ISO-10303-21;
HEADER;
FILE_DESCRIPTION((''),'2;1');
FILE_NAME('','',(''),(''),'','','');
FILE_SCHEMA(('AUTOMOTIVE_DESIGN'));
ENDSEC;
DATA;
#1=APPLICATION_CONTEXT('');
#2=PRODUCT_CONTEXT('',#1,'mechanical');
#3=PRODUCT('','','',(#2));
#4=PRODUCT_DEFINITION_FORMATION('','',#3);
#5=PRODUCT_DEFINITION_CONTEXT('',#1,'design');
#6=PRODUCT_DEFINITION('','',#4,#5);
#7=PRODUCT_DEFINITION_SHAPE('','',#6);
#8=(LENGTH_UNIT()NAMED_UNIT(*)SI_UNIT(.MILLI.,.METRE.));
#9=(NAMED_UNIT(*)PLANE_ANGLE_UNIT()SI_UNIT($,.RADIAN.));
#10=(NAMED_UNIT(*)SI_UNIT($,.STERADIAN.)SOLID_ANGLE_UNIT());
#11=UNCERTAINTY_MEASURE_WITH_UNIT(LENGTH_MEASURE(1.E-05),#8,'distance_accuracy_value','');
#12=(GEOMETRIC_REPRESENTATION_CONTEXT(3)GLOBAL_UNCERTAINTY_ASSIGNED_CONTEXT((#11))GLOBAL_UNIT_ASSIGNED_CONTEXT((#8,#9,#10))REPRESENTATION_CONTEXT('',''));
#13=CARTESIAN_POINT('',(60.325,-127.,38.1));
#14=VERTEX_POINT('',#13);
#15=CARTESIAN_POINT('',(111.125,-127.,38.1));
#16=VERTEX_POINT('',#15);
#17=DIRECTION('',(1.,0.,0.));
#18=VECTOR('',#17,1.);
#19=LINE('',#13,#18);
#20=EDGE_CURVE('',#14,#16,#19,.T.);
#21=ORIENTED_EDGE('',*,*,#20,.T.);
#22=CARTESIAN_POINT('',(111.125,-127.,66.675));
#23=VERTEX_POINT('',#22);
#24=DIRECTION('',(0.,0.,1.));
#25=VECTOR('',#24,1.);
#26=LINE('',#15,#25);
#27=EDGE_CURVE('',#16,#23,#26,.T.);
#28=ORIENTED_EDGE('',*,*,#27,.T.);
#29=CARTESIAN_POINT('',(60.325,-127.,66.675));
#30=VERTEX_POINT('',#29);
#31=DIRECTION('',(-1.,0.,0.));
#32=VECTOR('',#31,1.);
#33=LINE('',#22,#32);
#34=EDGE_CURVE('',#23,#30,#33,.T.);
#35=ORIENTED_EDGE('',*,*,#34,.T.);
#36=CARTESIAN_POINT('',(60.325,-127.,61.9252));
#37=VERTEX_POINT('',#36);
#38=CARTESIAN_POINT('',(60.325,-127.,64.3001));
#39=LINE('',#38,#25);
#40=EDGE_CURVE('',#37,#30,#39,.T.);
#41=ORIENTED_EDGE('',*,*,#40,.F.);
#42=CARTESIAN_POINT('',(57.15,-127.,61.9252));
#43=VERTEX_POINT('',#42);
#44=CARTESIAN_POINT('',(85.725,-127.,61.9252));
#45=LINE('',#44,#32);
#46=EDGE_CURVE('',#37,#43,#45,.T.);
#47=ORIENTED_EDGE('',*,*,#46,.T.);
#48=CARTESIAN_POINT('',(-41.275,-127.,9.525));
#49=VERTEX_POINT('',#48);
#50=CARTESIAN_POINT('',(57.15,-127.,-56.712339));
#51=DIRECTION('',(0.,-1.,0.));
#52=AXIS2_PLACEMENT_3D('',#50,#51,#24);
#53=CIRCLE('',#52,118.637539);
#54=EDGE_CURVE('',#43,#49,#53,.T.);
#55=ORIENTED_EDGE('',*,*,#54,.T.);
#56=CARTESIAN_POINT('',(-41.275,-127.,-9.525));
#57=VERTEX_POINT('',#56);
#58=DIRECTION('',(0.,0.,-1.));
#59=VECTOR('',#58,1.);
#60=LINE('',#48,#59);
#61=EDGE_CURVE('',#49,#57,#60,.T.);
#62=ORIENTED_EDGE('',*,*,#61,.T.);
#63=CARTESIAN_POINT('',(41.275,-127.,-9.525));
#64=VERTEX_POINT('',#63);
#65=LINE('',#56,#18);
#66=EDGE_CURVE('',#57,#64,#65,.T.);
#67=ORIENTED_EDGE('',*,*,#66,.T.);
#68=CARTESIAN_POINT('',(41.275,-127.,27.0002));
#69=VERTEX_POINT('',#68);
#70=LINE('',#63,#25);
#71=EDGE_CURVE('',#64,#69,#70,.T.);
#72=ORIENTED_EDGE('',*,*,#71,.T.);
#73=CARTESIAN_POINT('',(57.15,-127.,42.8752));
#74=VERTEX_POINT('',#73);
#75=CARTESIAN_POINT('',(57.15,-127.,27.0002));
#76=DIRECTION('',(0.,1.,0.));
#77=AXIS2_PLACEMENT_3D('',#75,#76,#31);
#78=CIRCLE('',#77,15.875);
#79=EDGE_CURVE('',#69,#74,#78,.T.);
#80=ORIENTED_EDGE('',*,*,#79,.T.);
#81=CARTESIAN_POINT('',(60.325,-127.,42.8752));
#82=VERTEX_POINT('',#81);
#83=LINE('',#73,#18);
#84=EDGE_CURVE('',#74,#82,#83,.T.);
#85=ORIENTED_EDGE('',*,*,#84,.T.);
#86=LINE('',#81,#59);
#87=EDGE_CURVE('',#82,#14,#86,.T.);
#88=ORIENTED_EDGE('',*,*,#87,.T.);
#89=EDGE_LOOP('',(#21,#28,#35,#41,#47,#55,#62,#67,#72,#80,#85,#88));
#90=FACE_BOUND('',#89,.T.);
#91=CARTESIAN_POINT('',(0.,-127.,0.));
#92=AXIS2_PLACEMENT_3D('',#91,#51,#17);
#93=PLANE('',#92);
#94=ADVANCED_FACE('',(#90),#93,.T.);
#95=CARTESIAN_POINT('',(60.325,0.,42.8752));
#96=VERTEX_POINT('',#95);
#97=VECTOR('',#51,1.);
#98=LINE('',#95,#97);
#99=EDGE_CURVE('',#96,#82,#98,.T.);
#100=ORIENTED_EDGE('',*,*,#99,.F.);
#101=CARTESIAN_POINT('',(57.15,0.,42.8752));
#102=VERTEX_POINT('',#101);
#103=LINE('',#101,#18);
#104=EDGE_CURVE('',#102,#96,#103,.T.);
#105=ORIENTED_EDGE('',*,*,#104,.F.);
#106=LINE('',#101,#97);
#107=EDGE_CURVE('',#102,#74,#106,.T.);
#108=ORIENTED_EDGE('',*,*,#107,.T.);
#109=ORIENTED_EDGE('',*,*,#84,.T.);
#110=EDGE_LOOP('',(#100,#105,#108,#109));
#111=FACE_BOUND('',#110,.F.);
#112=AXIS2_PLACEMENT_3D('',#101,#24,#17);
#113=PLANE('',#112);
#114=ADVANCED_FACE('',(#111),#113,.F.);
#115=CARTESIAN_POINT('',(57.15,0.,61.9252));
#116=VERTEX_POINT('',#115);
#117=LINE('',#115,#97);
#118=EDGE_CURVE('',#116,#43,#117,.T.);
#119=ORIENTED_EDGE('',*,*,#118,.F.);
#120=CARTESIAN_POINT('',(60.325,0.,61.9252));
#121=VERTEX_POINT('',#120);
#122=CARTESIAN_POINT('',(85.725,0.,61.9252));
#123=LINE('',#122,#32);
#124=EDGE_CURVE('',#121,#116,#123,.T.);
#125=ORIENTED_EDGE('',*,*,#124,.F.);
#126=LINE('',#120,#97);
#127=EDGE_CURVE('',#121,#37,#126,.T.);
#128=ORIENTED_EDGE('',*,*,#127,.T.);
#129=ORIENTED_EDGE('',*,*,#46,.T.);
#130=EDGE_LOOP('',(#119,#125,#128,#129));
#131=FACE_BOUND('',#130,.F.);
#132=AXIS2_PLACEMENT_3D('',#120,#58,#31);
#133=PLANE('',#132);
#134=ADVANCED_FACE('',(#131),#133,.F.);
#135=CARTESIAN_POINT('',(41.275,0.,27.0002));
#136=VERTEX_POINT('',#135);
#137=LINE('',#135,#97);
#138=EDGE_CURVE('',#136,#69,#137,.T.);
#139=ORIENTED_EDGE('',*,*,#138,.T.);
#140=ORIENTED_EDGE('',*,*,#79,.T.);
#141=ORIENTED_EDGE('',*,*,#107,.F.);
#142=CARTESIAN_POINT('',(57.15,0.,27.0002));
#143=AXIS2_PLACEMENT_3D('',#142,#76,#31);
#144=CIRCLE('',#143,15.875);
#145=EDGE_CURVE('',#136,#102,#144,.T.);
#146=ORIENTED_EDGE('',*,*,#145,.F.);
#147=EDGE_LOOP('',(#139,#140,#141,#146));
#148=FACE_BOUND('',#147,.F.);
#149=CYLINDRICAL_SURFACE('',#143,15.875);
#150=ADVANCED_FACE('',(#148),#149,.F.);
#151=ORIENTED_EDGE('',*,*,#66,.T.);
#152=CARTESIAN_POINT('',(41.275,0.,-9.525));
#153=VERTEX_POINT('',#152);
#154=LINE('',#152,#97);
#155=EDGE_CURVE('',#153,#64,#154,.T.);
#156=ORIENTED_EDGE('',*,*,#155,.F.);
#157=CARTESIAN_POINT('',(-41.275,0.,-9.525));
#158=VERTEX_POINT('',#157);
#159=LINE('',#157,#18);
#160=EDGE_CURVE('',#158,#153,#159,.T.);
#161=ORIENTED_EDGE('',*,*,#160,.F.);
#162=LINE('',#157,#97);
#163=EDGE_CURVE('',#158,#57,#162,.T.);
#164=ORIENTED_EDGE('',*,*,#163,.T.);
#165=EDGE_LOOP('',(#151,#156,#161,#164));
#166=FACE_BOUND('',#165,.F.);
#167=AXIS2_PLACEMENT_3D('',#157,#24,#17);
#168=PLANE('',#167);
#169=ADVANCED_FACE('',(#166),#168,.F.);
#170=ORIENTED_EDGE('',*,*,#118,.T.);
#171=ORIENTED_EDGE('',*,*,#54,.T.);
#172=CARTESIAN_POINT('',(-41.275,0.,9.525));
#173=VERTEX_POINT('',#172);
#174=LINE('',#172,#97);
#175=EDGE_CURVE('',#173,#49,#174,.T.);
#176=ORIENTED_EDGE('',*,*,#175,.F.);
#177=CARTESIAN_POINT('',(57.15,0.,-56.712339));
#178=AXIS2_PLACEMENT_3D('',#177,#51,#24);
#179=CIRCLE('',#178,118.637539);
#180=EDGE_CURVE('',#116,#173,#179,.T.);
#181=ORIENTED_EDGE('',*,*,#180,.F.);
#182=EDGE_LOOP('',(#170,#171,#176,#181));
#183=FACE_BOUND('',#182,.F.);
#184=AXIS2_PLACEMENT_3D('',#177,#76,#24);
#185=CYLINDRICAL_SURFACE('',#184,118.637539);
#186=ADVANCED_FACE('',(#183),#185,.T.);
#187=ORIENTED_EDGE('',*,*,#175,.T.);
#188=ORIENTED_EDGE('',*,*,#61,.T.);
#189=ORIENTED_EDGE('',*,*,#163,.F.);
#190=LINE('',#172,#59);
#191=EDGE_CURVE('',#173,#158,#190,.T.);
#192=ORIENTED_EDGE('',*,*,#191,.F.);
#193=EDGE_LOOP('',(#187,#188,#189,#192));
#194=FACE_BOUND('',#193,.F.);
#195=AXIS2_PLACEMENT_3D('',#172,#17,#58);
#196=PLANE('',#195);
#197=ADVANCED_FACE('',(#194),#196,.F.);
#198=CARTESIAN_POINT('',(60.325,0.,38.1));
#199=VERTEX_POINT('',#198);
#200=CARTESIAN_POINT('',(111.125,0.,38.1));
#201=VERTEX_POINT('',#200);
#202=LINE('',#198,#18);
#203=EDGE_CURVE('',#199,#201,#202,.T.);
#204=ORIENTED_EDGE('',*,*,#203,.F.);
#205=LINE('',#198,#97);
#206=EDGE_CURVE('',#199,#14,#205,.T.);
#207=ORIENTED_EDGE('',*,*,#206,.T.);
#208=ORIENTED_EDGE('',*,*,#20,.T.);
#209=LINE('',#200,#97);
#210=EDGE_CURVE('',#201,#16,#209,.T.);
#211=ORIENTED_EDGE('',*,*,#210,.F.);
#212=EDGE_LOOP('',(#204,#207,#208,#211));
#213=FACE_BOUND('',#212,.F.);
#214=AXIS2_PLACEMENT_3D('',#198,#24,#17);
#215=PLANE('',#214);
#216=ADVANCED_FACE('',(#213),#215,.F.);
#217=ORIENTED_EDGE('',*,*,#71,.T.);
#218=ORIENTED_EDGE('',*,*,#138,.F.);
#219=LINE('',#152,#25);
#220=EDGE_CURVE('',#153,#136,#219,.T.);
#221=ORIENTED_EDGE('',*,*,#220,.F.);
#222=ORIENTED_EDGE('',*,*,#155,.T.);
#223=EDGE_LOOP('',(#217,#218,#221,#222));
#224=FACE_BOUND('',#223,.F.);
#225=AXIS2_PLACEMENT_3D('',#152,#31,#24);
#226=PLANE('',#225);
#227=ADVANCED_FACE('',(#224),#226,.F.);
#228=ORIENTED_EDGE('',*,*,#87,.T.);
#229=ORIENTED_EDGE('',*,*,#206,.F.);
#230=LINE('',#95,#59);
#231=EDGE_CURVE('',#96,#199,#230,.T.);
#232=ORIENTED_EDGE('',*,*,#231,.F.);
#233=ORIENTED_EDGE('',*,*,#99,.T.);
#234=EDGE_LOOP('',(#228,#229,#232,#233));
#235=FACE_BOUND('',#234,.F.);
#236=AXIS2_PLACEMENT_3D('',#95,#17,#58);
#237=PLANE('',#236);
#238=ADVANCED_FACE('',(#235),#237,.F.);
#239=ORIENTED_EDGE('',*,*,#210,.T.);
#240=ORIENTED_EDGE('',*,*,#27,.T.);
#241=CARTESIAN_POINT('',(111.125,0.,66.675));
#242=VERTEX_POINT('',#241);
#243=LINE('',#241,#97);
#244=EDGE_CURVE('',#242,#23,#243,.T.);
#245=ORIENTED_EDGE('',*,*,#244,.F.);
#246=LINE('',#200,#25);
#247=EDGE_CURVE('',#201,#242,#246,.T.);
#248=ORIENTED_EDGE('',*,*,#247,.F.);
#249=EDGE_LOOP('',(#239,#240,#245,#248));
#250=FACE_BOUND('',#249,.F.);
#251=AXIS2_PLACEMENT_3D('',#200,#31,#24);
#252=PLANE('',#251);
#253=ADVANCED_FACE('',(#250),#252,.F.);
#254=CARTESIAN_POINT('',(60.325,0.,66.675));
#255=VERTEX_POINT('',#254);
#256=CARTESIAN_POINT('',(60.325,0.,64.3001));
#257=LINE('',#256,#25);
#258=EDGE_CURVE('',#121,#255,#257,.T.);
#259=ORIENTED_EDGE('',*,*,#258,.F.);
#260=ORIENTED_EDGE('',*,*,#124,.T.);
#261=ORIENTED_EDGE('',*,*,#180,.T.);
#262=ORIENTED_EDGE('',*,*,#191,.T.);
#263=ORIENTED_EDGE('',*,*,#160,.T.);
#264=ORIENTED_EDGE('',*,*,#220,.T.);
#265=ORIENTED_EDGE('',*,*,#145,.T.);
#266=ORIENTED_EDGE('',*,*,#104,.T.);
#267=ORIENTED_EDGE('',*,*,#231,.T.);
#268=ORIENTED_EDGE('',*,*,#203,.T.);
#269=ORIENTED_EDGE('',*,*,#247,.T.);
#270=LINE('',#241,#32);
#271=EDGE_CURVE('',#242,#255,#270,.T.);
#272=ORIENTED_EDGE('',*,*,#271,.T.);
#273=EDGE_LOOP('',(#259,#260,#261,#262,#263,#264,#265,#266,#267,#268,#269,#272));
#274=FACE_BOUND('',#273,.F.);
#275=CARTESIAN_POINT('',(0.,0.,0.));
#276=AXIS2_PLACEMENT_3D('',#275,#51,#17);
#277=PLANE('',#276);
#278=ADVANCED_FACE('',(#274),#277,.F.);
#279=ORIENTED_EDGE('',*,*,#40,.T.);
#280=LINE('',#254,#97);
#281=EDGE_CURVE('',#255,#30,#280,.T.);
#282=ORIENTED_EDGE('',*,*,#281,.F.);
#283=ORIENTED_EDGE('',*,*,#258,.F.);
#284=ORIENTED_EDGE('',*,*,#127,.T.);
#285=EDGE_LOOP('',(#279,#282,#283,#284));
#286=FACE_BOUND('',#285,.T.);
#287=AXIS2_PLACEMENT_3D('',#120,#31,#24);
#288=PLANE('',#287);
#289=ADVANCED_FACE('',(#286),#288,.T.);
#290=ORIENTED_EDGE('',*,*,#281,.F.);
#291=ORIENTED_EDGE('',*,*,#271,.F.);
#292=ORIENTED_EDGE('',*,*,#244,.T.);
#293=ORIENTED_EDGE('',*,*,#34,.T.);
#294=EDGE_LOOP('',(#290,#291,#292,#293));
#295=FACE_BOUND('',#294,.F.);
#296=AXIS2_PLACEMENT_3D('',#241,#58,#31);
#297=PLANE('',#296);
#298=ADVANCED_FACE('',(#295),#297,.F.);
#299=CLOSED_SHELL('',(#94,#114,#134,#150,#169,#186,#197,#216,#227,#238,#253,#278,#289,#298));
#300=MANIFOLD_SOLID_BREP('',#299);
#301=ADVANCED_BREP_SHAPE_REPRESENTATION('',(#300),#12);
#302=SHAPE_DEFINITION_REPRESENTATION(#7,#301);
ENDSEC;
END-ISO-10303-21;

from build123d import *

# Parameters (mm, degrees)
F0_W     = 25.4
F0_H     = 19.05
F0_H_2   = 4.7498
F1_DEPTH = 127


with BuildPart() as f1:
    # F0 (on Front) → F1 (new body)
    with BuildSketch(Plane.XZ):
        Polygon((41.275, -7.9502), (41.275, 9.525), (22.225, 9.525), (-41.275, 9.525), (-41.275, -9.525), (41.275, -9.525), align=None)
        with BuildLine():
            Line((-41.275, 9.525), (22.225, 9.525))
            Line((22.225, 9.525), (22.225, 27.0002))
            ThreePointArc((22.225, 27.0002), (32.4542956671, 51.6959043329), (57.15, 61.9252))
            ThreePointArc((57.15, 61.9252), (1.3977319182, 48.0089590969), (-41.275, 9.525))
        make_face()
        with BuildLine():
            Line((22.225, 9.525), (41.275, 9.525))
            Line((41.275, 9.525), (41.275, 27.0002))
            ThreePointArc((41.275, 27.0002), (45.9246798487, 38.2255201513), (57.15, 42.8752))
            Line((57.15, 42.8752), (60.325, 42.8752))
            Line((60.325, 42.8752), (60.325, 61.9252))
            Line((60.325, 61.9252), (57.15, 61.9252))
            ThreePointArc((57.15, 61.9252), (32.4542956671, 51.6959043329), (22.225, 27.0002))
            Line((22.225, 27.0002), (22.225, 9.525))
        make_face()
        with Locations((73.025, 52.4002)):
            Rectangle(F0_W, F0_H)
        Polygon((85.725, 42.8752), (60.325, 42.8752), (60.325, 38.1), (111.125, 38.1), (111.125, 66.675), (85.725, 66.675), (85.725, 61.9252), align=None)
        with Locations((73.025, 64.3001)):
            Rectangle(F0_W, F0_H_2)
    extrude(amount=F1_DEPTH)


solid = f1.part
